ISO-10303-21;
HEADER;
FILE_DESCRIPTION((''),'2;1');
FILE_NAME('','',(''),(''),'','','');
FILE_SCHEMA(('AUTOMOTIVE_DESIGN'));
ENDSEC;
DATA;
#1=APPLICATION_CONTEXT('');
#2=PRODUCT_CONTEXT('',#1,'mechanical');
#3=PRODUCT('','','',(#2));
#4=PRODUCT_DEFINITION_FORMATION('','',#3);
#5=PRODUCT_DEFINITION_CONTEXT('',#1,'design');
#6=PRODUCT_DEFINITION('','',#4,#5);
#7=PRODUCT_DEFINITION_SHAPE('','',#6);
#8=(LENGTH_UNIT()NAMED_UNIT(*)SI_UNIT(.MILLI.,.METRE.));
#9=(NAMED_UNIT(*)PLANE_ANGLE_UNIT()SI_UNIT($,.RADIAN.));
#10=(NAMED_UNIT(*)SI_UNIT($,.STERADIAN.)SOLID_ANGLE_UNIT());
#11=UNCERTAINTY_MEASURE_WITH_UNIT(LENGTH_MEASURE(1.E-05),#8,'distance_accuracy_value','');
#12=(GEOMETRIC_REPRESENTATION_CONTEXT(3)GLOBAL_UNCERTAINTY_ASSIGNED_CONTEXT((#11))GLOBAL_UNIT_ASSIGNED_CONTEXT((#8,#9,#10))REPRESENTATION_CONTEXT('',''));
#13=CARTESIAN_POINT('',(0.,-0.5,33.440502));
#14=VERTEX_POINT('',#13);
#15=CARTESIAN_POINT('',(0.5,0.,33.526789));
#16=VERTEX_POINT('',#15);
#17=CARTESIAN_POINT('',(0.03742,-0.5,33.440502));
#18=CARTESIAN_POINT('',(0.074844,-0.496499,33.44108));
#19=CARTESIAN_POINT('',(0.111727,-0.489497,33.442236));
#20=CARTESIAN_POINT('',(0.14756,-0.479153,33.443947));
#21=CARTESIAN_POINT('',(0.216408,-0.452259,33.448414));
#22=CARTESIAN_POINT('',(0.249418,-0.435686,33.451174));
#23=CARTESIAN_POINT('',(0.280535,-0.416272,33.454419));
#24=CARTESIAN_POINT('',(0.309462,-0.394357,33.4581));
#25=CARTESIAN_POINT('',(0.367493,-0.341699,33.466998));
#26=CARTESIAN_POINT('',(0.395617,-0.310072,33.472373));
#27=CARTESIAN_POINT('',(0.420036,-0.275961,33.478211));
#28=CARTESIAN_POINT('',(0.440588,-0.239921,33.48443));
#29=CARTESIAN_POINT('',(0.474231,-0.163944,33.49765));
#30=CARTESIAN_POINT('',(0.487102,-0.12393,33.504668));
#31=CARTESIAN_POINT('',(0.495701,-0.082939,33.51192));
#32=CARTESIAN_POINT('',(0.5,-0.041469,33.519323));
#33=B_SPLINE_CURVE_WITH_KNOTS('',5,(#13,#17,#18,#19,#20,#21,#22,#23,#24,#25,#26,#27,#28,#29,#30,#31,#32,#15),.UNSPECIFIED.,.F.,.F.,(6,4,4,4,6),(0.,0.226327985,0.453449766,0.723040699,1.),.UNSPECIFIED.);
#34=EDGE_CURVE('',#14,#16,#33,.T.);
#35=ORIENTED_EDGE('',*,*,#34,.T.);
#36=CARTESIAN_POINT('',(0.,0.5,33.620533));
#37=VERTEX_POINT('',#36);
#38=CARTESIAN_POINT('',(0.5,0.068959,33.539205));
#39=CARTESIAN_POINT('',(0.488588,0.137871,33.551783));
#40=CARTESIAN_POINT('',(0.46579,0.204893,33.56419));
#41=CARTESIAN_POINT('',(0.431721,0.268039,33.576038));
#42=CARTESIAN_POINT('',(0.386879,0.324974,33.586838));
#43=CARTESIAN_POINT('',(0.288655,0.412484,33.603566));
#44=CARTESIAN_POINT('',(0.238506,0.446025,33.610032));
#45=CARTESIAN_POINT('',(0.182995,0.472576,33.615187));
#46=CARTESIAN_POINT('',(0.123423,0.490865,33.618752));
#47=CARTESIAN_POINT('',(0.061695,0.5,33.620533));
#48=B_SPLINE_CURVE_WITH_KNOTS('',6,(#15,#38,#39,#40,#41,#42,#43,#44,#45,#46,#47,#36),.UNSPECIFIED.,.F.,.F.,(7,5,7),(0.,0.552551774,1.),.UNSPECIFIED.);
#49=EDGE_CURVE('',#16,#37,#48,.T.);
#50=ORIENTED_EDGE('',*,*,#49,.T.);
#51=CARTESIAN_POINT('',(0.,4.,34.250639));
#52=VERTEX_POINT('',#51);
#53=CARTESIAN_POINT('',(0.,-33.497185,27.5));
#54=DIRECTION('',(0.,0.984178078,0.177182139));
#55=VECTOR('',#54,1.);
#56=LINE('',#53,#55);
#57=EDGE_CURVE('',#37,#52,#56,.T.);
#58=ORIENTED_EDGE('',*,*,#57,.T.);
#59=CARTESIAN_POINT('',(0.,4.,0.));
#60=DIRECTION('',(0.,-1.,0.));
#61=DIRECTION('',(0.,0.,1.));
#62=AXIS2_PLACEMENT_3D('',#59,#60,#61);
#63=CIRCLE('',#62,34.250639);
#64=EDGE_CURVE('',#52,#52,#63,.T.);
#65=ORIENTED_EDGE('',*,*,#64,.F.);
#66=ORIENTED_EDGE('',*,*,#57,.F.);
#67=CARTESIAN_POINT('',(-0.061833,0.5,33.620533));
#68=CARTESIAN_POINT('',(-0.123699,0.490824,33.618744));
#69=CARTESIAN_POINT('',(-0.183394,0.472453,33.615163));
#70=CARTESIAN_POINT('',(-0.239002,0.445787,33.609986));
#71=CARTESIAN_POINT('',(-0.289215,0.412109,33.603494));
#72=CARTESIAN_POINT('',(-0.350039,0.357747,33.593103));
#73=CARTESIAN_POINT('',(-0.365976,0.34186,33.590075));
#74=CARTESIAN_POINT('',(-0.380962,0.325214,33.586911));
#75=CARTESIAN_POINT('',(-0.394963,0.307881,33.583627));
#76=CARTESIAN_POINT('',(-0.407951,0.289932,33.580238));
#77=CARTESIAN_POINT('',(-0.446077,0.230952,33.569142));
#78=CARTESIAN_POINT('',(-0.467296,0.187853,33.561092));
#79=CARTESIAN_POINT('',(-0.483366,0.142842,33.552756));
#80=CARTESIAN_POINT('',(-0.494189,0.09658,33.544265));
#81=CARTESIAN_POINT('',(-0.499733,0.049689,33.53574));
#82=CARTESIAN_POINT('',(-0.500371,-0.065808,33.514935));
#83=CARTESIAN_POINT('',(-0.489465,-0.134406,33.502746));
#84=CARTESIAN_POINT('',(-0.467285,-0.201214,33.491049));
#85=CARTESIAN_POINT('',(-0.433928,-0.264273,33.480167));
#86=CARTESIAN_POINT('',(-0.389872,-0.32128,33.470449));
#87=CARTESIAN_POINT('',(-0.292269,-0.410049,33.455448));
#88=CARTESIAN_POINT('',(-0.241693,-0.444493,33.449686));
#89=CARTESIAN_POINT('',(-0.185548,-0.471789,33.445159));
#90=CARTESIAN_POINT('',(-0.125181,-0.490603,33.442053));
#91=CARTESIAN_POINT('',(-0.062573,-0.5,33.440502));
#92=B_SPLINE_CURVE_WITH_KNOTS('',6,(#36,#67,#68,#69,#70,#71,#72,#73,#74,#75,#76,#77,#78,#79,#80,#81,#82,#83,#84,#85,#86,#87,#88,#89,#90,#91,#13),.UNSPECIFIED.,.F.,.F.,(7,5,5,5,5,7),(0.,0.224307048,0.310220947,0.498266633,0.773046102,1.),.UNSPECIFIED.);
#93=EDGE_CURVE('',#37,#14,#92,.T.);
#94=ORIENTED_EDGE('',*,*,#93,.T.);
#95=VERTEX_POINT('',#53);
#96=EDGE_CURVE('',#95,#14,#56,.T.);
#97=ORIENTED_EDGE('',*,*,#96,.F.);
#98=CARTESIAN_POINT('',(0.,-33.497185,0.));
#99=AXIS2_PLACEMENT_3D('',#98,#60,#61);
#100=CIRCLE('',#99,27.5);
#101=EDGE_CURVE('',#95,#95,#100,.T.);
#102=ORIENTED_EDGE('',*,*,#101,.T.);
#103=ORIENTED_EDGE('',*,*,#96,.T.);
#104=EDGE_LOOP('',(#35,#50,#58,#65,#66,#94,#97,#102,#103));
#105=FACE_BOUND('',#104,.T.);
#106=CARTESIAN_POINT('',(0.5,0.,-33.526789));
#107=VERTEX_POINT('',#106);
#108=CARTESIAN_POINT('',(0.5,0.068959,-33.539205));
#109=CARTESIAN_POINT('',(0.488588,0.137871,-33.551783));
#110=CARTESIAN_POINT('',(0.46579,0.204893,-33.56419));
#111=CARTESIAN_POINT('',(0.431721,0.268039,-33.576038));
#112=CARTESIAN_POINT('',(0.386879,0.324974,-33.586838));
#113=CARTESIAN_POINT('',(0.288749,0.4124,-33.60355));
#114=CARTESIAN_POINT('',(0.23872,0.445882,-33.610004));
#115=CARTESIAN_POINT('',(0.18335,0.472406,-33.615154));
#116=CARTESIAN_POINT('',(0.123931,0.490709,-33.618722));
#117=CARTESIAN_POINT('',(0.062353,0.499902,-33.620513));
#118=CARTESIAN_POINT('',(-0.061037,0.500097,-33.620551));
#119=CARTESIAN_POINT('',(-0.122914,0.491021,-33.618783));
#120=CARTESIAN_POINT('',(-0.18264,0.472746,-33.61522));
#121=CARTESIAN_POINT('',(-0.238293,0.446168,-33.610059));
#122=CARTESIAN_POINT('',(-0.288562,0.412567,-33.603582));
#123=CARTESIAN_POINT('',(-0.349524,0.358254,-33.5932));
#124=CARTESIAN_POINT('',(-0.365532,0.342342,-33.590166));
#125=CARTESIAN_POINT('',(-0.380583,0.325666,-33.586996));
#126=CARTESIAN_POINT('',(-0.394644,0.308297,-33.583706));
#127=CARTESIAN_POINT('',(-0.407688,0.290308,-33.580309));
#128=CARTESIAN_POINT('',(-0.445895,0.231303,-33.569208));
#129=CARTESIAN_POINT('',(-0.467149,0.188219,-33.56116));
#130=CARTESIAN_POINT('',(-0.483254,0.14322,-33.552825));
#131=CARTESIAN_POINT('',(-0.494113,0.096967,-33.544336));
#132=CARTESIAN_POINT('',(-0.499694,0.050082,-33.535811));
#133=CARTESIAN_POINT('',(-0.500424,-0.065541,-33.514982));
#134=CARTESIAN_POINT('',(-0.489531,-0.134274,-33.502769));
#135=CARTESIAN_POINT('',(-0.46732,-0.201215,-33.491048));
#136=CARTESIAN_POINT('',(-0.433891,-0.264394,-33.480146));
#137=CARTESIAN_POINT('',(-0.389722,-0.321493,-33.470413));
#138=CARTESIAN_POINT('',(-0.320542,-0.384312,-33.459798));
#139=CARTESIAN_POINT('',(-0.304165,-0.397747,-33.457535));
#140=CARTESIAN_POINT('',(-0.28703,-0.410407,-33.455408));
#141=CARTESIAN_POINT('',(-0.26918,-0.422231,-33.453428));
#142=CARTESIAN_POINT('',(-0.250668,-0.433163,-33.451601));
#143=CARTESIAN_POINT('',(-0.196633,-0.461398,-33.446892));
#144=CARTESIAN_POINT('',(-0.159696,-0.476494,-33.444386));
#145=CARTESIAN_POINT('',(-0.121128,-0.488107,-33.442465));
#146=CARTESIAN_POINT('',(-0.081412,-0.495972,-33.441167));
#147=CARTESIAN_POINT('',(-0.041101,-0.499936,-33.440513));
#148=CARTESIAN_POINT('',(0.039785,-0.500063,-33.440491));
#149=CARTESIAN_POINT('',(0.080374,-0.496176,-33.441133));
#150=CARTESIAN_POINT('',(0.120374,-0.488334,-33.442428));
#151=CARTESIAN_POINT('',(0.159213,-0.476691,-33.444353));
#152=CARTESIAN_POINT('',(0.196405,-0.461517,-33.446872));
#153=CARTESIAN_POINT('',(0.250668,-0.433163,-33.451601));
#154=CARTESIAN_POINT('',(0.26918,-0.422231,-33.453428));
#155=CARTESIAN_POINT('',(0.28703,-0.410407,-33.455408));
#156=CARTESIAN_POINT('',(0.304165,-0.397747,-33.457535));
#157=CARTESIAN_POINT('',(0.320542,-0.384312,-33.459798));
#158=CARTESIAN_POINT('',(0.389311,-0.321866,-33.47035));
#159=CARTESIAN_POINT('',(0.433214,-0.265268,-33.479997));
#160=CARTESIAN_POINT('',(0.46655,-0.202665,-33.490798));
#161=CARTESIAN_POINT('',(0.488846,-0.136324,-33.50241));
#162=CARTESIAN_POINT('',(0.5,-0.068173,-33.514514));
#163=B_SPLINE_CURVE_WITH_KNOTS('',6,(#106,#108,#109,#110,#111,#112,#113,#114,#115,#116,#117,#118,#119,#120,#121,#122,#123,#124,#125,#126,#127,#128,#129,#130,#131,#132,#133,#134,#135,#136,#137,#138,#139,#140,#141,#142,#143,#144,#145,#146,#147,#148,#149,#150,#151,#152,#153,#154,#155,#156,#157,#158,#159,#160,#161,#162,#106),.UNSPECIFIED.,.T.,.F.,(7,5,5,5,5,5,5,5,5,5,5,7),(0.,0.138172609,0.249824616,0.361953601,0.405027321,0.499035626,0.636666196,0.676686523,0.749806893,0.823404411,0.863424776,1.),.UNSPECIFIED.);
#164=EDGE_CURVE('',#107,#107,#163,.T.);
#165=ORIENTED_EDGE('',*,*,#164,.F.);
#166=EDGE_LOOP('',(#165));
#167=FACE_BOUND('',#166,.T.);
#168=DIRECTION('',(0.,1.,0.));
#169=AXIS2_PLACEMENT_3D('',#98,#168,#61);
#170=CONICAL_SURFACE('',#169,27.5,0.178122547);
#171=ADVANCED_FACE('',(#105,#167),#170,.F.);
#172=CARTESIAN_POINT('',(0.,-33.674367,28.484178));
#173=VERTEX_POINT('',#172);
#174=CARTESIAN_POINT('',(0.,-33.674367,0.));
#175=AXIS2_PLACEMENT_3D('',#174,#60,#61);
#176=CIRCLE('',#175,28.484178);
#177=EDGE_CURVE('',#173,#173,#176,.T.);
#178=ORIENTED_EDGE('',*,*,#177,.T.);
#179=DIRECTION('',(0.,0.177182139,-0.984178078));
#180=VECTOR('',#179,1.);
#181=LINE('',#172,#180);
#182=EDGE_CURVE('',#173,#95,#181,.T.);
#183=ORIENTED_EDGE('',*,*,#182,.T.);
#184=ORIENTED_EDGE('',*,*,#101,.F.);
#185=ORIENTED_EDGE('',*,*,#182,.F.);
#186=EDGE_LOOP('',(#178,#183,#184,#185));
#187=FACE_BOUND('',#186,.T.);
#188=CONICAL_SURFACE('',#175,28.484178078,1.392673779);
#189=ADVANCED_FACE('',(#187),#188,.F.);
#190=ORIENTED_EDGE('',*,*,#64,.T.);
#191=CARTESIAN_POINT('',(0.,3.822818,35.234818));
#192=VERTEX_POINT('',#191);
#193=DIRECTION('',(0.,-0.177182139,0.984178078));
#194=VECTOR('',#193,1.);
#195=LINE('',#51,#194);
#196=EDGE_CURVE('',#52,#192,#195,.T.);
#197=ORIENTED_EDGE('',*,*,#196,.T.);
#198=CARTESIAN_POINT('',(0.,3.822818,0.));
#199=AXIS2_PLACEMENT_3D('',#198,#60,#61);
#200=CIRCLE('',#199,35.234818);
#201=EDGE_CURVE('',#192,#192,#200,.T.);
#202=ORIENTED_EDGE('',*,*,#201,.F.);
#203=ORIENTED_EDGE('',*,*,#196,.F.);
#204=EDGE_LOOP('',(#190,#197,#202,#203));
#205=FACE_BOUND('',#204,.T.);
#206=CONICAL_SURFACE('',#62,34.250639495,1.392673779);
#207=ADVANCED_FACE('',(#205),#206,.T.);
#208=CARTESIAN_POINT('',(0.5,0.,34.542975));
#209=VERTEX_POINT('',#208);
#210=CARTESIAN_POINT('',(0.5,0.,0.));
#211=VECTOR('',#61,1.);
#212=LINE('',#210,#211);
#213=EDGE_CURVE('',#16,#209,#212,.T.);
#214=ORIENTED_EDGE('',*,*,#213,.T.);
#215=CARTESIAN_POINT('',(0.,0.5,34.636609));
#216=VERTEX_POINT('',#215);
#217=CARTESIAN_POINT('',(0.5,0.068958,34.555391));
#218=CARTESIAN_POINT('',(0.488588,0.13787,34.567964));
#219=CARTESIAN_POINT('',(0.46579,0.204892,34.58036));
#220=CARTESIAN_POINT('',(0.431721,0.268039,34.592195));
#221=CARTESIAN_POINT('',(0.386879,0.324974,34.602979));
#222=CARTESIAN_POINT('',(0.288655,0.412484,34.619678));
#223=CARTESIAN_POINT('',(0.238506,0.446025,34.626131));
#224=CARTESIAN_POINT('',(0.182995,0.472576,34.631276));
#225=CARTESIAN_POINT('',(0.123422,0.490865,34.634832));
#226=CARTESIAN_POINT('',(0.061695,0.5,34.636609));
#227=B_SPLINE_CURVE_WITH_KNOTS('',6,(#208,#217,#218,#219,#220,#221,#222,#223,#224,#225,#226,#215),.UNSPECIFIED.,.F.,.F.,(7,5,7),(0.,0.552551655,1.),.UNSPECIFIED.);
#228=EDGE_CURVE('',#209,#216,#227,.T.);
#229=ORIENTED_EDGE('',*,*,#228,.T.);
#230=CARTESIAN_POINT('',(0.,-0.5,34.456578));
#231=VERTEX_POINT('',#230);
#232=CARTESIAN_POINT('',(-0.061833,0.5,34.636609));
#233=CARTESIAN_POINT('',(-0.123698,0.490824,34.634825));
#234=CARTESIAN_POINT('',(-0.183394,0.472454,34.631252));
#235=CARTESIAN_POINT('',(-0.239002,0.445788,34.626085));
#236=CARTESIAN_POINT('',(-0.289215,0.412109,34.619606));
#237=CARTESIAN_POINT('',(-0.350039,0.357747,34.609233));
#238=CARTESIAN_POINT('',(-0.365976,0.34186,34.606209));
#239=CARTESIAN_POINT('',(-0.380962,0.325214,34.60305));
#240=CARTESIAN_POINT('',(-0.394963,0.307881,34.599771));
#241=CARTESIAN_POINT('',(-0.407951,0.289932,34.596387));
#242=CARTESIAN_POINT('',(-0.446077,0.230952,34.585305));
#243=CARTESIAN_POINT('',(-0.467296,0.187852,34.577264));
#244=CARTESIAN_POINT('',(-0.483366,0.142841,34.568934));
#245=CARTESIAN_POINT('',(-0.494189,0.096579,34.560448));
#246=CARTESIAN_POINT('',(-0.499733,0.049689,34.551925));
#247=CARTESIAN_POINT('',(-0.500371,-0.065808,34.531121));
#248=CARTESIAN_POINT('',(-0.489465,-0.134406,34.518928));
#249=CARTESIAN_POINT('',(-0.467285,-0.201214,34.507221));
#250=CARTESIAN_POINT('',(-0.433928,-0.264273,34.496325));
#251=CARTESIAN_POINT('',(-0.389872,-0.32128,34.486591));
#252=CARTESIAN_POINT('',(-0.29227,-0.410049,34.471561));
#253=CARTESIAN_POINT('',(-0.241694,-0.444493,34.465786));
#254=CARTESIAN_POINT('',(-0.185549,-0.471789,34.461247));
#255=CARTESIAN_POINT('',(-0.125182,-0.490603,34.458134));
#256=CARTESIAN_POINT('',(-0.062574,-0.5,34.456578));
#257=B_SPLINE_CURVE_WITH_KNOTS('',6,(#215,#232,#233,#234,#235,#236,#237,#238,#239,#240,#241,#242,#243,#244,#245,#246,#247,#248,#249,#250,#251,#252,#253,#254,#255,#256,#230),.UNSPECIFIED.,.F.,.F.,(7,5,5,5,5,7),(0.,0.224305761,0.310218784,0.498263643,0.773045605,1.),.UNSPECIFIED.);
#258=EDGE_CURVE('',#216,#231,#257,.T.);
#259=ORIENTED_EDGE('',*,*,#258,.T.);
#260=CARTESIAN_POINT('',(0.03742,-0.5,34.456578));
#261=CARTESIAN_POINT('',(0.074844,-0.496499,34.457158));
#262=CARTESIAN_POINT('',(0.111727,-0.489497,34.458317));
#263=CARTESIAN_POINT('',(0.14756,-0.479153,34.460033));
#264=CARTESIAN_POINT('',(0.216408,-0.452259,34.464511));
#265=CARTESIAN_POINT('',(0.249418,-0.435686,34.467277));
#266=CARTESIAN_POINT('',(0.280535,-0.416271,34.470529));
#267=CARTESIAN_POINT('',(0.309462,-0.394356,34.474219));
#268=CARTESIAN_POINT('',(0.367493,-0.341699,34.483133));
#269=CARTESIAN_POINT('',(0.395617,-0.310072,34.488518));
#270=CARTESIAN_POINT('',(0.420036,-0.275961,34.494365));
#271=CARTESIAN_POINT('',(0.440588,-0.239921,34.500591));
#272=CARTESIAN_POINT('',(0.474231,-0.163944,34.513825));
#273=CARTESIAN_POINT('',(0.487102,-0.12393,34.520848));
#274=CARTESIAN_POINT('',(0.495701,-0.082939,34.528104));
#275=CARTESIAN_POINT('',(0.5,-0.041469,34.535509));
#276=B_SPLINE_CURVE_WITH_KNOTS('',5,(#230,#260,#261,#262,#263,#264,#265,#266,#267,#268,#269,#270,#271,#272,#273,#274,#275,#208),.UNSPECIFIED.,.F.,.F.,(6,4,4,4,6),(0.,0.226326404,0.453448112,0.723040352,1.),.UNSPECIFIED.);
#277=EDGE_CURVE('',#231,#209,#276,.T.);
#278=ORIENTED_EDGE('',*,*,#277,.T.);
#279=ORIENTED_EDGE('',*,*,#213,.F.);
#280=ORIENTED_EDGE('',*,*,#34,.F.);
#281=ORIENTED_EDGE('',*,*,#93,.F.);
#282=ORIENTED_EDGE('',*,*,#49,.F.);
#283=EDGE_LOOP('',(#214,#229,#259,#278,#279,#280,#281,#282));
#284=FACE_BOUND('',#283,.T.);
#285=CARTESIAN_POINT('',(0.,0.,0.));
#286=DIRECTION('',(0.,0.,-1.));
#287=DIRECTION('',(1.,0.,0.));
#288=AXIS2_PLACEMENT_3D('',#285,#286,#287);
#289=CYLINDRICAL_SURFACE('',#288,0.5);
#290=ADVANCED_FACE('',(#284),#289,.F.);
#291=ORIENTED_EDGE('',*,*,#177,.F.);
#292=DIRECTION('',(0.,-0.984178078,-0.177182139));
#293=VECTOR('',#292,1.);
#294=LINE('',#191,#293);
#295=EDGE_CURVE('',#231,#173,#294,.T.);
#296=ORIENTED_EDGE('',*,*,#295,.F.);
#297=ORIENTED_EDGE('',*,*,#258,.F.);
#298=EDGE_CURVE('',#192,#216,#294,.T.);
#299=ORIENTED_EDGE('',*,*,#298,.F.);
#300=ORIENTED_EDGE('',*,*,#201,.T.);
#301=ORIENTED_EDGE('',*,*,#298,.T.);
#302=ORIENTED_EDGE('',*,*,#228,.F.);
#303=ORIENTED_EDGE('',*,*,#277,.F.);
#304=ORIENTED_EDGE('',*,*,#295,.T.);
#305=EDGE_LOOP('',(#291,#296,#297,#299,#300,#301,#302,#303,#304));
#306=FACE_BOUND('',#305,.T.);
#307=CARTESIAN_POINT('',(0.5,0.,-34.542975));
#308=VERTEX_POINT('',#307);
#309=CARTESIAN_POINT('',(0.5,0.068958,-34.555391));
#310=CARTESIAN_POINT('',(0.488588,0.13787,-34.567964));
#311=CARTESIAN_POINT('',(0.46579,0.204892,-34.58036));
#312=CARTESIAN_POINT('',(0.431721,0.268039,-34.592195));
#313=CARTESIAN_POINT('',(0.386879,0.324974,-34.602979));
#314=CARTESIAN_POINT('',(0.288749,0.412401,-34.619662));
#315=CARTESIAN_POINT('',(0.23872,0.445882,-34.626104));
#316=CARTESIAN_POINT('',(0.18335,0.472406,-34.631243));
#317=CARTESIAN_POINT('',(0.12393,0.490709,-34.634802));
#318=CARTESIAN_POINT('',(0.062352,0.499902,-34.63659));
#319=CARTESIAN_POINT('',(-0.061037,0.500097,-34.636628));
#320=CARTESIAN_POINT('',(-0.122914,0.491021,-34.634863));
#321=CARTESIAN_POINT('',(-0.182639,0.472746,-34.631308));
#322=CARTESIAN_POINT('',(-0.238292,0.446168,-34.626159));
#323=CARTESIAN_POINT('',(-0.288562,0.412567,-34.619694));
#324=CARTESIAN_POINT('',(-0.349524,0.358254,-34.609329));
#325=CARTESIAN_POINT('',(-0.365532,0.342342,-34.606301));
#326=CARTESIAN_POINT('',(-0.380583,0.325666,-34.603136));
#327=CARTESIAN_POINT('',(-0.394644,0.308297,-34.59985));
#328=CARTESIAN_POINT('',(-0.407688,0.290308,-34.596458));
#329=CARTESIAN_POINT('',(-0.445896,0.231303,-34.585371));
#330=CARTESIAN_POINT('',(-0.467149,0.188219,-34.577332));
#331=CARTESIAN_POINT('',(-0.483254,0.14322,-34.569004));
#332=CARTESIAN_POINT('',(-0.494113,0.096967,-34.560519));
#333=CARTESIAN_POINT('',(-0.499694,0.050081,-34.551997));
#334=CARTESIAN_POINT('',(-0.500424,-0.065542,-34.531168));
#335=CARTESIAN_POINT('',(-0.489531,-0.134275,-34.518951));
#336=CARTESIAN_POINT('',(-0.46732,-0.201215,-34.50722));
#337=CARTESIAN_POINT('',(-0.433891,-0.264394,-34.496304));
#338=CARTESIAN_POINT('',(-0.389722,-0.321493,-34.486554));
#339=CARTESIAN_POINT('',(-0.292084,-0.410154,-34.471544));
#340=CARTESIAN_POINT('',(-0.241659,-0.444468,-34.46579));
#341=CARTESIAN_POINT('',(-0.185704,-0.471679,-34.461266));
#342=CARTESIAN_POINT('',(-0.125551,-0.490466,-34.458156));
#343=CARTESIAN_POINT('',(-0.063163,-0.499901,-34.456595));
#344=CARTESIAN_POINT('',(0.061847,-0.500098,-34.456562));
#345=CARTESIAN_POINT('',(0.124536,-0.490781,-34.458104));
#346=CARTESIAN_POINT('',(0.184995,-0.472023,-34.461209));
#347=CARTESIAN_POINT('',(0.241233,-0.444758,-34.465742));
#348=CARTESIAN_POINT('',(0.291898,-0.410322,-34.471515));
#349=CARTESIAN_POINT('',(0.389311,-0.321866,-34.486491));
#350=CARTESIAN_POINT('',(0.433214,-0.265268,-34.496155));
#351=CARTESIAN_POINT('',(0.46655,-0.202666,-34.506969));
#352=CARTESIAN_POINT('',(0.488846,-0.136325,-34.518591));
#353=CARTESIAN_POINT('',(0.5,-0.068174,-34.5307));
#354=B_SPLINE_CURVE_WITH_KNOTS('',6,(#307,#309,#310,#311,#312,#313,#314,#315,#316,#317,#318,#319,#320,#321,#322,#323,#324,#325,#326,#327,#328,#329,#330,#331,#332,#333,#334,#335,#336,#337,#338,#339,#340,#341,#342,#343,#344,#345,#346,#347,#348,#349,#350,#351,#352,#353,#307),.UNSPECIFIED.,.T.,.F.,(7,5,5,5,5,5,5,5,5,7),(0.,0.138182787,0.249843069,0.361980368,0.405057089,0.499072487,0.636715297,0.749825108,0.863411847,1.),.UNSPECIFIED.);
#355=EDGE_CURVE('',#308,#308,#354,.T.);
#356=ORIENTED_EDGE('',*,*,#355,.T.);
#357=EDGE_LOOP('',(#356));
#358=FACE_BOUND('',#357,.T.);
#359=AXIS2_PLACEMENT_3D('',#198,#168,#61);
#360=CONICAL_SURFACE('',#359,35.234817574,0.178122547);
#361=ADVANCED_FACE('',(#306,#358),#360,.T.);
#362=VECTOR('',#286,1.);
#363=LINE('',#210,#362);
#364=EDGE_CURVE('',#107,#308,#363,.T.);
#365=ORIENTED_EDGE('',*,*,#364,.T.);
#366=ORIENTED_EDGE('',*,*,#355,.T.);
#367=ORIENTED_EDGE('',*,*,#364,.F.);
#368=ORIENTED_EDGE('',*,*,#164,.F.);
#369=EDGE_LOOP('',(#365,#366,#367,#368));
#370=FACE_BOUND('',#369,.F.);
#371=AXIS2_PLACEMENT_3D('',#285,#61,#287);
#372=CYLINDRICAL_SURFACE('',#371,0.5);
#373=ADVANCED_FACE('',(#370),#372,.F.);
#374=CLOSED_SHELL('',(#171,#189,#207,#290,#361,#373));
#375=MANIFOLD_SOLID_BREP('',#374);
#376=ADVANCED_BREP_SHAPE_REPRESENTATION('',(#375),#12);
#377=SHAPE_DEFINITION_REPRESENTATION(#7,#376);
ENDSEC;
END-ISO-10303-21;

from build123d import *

# Parameters (mm, degrees)
F2_R          = 0.5
F3_DEPTH      = 35.2358175736
F3_DEPTH_BACK = 35.2358175736


with BuildPart() as f1:
    # F0 (on Right) → F1 (revolve)
    with BuildSketch(Plane.YZ):
        Polygon((-33.4971847797, 27.5), (4, 34.2506394954), (3.822817861, 35.2348175736), (-33.6743669187, 28.4841780782), align=None)
    revolve(axis=Axis((0, 2, 0), (0, -1, 0)))

    # F2 (on Top) → F3 (cut, two sides)
    with BuildSketch(Plane.XY) as f3_sk:
        Circle(F2_R)
    extrude(amount=-F3_DEPTH, mode=Mode.SUBTRACT)
    extrude(f3_sk.sketch, amount=F3_DEPTH_BACK, mode=Mode.SUBTRACT)


solid = f1.part
